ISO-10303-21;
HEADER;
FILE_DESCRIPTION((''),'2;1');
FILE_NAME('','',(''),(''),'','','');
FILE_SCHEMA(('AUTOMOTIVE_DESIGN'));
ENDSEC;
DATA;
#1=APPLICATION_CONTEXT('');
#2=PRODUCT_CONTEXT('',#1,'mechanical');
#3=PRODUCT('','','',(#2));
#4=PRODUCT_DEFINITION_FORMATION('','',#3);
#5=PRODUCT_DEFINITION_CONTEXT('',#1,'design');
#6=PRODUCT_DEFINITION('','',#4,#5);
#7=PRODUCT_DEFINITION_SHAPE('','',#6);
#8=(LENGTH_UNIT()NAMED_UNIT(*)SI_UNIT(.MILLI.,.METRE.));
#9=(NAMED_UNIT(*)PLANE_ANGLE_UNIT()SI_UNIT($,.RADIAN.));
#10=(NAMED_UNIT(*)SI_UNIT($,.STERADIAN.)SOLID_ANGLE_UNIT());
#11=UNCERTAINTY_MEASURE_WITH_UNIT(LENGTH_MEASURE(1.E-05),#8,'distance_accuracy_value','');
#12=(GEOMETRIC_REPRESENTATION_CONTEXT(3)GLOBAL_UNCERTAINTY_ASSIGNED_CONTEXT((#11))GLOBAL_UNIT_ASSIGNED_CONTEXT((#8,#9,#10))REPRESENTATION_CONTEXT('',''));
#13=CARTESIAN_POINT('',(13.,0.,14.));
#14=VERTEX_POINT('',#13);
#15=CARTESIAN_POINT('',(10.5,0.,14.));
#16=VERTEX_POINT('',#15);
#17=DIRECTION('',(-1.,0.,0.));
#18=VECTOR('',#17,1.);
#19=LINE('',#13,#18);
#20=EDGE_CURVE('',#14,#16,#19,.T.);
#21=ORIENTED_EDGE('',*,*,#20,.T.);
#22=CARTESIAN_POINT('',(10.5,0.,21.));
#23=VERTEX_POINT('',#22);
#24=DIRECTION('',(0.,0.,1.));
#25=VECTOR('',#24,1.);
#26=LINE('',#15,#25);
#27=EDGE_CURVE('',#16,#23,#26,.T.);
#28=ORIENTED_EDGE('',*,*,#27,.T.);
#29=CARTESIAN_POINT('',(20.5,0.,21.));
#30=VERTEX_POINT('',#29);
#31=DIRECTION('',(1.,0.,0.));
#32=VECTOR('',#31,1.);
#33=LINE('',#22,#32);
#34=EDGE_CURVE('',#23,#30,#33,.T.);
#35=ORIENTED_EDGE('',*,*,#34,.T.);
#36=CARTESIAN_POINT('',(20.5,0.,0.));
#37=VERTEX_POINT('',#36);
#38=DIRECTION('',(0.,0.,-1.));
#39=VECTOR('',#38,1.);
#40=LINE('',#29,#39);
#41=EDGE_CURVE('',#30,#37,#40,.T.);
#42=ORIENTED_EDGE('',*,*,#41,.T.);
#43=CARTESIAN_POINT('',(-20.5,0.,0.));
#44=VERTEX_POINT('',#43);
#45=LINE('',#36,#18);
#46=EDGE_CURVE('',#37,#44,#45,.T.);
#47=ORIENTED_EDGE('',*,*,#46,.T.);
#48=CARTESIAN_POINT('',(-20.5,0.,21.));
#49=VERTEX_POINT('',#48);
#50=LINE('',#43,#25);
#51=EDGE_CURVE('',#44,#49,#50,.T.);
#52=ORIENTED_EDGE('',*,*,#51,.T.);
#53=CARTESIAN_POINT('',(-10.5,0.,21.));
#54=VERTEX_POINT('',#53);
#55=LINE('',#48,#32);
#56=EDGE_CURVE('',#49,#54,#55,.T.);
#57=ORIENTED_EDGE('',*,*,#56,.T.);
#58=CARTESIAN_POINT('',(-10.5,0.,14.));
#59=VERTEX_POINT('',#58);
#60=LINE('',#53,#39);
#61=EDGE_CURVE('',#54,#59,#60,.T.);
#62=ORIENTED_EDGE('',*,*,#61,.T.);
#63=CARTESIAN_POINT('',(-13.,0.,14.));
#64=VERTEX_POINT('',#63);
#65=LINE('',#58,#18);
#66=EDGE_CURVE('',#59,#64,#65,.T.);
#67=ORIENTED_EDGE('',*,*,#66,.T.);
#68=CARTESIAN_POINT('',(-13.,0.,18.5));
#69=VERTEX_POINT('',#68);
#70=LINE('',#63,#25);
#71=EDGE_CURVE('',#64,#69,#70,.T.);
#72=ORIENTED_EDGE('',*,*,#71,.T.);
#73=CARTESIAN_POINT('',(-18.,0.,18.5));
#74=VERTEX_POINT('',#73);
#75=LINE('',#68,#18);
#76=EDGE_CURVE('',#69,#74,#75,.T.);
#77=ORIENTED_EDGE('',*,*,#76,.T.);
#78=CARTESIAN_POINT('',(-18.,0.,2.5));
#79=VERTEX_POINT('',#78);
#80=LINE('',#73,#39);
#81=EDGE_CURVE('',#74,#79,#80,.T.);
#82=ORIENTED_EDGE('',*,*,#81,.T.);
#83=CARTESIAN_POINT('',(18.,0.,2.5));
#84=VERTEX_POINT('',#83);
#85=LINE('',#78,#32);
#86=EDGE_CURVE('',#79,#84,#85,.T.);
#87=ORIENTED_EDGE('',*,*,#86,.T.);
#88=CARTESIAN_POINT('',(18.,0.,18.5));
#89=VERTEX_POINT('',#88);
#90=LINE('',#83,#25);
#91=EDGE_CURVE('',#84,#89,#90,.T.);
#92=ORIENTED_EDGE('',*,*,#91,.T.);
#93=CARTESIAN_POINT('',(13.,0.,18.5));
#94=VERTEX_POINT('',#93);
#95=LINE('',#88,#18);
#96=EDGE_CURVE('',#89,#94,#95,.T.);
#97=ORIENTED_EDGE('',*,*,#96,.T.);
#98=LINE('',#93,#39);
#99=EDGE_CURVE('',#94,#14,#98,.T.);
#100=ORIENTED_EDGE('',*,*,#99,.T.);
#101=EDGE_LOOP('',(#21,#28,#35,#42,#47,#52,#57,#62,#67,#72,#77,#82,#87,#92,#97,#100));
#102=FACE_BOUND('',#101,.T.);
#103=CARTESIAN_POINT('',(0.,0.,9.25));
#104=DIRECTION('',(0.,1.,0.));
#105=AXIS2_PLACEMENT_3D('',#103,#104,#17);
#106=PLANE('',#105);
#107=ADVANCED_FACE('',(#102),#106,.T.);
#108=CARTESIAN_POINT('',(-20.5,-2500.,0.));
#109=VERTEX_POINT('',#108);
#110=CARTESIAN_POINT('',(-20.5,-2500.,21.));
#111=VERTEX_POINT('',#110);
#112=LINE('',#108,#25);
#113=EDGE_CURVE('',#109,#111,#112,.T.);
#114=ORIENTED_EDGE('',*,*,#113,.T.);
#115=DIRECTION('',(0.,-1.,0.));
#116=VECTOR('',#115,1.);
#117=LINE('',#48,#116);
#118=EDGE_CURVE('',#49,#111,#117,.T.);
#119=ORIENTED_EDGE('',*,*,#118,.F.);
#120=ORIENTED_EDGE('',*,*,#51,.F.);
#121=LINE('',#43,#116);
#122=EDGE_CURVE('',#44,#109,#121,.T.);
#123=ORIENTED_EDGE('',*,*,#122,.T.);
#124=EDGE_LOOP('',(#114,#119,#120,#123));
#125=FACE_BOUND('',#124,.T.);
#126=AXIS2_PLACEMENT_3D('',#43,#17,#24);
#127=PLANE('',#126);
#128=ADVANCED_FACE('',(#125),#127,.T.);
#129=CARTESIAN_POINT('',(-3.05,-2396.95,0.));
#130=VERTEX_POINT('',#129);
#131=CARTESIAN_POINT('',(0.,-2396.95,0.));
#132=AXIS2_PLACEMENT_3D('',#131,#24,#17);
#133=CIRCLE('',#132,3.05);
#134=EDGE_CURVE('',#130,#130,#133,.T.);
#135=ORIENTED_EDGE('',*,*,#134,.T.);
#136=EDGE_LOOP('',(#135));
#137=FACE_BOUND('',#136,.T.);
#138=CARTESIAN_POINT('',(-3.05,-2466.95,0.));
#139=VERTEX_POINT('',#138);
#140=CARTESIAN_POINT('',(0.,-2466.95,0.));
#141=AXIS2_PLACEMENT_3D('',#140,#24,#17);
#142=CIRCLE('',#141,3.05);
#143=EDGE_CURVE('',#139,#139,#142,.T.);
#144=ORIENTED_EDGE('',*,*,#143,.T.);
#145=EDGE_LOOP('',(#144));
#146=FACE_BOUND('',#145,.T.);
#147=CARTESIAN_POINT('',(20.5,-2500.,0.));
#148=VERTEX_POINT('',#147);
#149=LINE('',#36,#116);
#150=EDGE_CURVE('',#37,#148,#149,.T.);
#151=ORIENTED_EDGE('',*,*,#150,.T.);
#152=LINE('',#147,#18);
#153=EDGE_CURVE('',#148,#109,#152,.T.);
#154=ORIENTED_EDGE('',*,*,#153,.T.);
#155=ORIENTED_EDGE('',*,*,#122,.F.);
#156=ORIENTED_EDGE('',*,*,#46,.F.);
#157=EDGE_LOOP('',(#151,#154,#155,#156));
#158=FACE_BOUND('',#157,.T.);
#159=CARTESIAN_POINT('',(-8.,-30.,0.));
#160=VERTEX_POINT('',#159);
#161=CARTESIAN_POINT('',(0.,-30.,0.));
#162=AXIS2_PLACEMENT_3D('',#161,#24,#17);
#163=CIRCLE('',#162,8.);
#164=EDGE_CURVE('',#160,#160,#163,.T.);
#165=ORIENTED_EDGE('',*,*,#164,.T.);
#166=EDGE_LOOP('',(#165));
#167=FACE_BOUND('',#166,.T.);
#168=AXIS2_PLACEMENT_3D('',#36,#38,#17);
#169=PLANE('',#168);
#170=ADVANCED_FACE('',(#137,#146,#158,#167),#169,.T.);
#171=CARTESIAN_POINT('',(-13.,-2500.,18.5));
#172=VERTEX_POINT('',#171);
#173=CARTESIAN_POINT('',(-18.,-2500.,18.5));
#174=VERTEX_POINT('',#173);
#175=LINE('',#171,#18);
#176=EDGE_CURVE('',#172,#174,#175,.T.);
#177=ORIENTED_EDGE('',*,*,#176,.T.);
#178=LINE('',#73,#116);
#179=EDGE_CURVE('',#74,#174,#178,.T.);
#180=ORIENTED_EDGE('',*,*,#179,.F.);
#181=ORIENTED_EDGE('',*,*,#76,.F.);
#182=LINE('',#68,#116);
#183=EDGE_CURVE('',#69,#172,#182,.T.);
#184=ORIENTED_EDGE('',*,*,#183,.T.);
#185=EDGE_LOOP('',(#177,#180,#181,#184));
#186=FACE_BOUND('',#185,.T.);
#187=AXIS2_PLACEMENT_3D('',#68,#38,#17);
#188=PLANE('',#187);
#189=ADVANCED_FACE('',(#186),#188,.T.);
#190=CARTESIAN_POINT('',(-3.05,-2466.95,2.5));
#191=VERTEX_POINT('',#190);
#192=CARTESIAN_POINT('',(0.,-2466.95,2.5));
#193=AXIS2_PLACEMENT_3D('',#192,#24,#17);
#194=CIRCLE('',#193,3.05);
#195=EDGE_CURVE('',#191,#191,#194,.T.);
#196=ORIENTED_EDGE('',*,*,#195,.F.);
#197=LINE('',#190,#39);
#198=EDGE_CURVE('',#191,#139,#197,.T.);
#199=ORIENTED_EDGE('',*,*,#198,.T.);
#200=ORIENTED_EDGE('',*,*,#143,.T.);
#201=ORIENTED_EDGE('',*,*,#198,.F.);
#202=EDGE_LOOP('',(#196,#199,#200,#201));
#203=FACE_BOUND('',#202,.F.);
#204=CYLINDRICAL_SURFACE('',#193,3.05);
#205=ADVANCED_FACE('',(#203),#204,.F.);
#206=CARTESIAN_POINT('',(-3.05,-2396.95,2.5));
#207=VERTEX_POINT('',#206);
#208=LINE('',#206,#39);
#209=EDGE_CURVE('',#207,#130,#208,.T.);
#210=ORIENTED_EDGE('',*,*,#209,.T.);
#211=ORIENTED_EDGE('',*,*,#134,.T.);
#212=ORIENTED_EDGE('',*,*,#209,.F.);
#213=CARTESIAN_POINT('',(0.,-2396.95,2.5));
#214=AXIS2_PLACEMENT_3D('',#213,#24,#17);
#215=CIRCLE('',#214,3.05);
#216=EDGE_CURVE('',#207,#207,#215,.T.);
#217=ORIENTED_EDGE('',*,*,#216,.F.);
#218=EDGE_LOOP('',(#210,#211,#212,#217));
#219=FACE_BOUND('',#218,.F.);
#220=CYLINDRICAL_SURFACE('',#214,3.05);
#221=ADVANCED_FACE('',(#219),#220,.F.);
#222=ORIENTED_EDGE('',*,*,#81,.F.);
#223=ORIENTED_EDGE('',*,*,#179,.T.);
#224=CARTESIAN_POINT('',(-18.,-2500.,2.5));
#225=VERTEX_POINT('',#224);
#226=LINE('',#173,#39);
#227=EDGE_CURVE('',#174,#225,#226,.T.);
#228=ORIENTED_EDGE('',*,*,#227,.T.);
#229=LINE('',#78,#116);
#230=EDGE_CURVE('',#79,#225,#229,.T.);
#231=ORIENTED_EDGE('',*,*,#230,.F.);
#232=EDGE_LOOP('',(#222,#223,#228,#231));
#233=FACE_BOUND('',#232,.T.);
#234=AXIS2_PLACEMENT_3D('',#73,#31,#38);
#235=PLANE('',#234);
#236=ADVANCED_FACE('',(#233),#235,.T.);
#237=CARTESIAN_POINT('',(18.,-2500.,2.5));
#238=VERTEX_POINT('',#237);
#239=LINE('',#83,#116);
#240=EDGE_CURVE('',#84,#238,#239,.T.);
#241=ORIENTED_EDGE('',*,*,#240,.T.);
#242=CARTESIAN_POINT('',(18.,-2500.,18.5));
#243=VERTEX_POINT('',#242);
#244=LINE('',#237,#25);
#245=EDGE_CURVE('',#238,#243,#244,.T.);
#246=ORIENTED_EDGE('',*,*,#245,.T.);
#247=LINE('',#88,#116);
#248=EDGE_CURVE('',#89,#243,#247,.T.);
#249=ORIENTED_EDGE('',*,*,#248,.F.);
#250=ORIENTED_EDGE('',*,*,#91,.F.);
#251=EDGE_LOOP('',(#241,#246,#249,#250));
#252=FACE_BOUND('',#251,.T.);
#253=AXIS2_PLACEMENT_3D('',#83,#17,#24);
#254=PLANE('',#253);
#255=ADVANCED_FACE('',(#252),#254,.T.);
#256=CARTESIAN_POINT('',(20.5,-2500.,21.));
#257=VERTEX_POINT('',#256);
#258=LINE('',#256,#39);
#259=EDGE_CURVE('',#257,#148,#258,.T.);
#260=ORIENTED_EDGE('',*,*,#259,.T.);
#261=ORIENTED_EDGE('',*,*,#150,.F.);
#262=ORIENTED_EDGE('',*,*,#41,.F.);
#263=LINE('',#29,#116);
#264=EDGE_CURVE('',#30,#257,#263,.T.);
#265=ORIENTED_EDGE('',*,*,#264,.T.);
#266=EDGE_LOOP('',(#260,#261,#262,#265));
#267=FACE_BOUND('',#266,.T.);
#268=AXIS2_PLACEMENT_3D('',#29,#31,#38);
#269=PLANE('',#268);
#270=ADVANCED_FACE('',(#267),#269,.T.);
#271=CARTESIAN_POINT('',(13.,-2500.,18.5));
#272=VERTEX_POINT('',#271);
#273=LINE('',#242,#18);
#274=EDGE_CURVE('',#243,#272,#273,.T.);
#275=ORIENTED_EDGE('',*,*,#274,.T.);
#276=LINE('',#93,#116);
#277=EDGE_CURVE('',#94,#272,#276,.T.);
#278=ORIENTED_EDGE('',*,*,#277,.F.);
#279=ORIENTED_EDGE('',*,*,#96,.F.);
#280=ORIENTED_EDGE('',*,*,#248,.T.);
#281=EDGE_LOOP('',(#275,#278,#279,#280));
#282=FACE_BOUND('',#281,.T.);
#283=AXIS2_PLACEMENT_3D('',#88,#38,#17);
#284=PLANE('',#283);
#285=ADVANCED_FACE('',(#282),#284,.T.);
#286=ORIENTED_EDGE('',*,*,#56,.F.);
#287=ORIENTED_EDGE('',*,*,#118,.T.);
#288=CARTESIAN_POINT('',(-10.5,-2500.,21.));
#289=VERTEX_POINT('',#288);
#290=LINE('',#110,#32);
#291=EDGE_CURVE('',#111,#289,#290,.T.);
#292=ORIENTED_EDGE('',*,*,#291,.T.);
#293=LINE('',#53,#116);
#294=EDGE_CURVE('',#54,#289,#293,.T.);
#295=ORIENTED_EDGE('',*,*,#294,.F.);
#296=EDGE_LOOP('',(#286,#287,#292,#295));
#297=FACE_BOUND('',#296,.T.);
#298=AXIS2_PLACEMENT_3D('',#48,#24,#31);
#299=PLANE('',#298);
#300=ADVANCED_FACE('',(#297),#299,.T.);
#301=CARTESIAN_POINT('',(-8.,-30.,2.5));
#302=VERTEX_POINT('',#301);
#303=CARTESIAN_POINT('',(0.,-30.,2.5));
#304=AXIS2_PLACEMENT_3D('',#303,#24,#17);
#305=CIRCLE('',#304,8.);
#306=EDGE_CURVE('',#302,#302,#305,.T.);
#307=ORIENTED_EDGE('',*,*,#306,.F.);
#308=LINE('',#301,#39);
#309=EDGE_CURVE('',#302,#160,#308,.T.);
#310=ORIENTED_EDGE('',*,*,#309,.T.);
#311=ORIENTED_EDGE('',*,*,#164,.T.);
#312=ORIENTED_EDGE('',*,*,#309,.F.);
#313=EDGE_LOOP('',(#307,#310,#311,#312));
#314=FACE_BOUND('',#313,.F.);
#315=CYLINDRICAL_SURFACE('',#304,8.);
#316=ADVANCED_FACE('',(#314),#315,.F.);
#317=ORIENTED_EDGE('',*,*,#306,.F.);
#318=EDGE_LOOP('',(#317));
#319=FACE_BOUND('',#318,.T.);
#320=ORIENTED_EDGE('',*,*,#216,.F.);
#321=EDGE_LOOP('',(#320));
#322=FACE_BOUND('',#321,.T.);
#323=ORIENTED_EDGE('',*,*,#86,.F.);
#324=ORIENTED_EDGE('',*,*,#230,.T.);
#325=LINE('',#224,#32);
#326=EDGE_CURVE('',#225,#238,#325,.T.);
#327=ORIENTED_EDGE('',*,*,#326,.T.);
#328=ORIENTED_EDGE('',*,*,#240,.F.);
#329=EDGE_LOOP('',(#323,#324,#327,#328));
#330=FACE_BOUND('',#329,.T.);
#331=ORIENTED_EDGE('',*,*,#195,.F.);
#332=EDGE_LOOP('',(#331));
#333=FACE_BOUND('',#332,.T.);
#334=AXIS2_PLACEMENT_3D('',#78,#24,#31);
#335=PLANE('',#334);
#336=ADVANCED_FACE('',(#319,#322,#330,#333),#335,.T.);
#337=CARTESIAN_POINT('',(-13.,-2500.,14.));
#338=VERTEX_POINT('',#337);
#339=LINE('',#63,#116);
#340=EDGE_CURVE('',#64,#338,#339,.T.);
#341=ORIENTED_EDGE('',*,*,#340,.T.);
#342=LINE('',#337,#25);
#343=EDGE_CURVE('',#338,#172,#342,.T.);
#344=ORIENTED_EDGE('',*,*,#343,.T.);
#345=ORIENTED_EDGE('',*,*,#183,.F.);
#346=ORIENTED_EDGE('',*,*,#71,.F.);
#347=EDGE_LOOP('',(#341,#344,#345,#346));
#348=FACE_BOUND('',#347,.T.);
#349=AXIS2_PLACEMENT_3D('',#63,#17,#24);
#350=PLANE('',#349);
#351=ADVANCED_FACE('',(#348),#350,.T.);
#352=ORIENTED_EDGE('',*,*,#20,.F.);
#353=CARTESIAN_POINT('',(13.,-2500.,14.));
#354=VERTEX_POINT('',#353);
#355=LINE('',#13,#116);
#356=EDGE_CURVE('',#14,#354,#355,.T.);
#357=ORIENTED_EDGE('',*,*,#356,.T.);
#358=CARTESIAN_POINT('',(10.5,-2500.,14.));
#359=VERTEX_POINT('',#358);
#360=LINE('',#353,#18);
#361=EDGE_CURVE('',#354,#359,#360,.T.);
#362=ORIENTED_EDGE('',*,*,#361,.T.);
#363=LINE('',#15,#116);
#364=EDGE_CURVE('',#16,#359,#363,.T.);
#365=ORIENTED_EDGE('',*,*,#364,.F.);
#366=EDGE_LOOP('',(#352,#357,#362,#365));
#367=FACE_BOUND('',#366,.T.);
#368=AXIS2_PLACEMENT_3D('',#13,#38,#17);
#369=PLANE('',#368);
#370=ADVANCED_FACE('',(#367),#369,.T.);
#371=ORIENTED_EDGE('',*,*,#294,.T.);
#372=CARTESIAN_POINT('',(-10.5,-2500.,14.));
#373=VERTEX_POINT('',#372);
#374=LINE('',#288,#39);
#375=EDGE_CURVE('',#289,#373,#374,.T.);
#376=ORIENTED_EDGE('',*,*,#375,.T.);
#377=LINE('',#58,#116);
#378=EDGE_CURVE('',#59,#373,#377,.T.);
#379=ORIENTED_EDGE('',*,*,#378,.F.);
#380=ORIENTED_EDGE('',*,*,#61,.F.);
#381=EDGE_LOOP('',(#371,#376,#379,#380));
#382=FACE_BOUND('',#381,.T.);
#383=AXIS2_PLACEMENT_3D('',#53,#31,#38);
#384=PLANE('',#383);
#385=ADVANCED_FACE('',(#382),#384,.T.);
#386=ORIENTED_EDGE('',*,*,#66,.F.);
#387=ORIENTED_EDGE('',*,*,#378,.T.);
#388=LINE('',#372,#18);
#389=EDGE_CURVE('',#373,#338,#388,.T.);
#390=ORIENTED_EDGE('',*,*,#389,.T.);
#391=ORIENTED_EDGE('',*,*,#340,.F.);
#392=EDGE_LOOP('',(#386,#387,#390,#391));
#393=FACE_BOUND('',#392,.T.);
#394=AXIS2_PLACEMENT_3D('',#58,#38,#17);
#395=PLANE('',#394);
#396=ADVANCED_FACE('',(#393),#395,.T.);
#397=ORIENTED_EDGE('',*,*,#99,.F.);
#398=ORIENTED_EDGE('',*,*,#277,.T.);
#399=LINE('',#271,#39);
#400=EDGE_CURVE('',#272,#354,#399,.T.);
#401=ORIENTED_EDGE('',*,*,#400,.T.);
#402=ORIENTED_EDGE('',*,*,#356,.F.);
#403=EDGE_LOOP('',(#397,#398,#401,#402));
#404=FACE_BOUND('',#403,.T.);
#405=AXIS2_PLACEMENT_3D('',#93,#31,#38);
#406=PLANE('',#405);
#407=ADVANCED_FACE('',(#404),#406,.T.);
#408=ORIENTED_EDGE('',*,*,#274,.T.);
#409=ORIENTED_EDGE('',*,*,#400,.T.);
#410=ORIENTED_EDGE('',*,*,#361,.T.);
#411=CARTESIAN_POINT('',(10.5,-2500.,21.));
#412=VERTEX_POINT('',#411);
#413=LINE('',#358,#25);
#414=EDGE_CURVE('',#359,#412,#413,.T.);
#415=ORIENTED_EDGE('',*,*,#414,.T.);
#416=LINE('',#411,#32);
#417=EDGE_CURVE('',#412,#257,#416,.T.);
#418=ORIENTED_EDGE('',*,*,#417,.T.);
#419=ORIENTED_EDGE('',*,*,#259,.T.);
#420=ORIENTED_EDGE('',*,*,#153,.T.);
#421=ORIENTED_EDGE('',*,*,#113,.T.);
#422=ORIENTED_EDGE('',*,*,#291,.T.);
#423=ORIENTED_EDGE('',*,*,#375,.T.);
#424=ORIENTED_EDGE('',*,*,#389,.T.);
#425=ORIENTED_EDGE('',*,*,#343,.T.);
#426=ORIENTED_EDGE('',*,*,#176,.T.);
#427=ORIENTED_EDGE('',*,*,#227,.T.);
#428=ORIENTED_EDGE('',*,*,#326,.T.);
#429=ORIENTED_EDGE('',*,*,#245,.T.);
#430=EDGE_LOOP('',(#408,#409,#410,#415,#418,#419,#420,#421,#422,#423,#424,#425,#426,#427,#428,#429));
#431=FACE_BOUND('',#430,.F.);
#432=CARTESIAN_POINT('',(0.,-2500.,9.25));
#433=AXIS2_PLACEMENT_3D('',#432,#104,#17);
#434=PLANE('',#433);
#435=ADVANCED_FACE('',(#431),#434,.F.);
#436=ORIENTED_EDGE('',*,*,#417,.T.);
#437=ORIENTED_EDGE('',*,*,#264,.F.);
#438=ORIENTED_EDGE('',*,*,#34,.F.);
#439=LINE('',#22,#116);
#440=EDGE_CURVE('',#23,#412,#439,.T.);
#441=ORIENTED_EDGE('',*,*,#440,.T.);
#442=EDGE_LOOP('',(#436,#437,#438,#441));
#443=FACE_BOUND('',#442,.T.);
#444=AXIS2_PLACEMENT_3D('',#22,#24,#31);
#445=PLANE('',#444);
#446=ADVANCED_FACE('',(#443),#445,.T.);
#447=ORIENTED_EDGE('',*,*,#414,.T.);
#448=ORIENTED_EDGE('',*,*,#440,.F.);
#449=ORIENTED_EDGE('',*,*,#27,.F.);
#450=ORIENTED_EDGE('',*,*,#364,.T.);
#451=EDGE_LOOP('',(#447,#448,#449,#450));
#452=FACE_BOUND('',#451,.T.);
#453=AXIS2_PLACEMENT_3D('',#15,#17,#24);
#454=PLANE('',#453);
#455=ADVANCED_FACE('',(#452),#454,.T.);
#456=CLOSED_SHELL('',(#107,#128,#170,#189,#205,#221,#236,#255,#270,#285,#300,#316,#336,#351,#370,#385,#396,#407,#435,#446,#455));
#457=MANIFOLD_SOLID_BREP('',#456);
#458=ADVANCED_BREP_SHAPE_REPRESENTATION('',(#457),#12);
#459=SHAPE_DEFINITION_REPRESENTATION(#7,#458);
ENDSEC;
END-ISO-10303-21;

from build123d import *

# Parameters (mm, degrees)
PAD_DEPTH    = 2500
SKETCH_R     = 8
SKETCH_R_2   = 3.05
POCKET_DEPTH = 2.5


with BuildPart() as part:
    # Sketch002 → Pad (new body)
    with BuildSketch(Plane.XZ):
        Polygon((-20.5, 0), (-20.5, 21), (-10.5, 21), (-10.5, 14), (-13, 14), (-13, 18.5), (-18, 18.5), (-18, 2.5), (18, 2.5), (18, 18.5), (13, 18.5), (13, 14), (10.5, 14), (10.5, 21), (20.5, 21), (20.5, 0), align=None)
    extrude(amount=PAD_DEPTH)

    # Sketch (on Face10 of Pad) → Pocket (cut)
    with BuildSketch(Plane(origin=(0, 0, 2.5), x_dir=(-1, 0, 0), z_dir=(0, 0, 1))):
        with Locations((0, 30)):
            Circle(SKETCH_R)
        with Locations((0, 2466.95)):
            Circle(SKETCH_R_2)
        with Locations((0, 2396.95)):
            Circle(SKETCH_R_2)
    extrude(amount=-POCKET_DEPTH, mode=Mode.SUBTRACT)


solid = part.part
